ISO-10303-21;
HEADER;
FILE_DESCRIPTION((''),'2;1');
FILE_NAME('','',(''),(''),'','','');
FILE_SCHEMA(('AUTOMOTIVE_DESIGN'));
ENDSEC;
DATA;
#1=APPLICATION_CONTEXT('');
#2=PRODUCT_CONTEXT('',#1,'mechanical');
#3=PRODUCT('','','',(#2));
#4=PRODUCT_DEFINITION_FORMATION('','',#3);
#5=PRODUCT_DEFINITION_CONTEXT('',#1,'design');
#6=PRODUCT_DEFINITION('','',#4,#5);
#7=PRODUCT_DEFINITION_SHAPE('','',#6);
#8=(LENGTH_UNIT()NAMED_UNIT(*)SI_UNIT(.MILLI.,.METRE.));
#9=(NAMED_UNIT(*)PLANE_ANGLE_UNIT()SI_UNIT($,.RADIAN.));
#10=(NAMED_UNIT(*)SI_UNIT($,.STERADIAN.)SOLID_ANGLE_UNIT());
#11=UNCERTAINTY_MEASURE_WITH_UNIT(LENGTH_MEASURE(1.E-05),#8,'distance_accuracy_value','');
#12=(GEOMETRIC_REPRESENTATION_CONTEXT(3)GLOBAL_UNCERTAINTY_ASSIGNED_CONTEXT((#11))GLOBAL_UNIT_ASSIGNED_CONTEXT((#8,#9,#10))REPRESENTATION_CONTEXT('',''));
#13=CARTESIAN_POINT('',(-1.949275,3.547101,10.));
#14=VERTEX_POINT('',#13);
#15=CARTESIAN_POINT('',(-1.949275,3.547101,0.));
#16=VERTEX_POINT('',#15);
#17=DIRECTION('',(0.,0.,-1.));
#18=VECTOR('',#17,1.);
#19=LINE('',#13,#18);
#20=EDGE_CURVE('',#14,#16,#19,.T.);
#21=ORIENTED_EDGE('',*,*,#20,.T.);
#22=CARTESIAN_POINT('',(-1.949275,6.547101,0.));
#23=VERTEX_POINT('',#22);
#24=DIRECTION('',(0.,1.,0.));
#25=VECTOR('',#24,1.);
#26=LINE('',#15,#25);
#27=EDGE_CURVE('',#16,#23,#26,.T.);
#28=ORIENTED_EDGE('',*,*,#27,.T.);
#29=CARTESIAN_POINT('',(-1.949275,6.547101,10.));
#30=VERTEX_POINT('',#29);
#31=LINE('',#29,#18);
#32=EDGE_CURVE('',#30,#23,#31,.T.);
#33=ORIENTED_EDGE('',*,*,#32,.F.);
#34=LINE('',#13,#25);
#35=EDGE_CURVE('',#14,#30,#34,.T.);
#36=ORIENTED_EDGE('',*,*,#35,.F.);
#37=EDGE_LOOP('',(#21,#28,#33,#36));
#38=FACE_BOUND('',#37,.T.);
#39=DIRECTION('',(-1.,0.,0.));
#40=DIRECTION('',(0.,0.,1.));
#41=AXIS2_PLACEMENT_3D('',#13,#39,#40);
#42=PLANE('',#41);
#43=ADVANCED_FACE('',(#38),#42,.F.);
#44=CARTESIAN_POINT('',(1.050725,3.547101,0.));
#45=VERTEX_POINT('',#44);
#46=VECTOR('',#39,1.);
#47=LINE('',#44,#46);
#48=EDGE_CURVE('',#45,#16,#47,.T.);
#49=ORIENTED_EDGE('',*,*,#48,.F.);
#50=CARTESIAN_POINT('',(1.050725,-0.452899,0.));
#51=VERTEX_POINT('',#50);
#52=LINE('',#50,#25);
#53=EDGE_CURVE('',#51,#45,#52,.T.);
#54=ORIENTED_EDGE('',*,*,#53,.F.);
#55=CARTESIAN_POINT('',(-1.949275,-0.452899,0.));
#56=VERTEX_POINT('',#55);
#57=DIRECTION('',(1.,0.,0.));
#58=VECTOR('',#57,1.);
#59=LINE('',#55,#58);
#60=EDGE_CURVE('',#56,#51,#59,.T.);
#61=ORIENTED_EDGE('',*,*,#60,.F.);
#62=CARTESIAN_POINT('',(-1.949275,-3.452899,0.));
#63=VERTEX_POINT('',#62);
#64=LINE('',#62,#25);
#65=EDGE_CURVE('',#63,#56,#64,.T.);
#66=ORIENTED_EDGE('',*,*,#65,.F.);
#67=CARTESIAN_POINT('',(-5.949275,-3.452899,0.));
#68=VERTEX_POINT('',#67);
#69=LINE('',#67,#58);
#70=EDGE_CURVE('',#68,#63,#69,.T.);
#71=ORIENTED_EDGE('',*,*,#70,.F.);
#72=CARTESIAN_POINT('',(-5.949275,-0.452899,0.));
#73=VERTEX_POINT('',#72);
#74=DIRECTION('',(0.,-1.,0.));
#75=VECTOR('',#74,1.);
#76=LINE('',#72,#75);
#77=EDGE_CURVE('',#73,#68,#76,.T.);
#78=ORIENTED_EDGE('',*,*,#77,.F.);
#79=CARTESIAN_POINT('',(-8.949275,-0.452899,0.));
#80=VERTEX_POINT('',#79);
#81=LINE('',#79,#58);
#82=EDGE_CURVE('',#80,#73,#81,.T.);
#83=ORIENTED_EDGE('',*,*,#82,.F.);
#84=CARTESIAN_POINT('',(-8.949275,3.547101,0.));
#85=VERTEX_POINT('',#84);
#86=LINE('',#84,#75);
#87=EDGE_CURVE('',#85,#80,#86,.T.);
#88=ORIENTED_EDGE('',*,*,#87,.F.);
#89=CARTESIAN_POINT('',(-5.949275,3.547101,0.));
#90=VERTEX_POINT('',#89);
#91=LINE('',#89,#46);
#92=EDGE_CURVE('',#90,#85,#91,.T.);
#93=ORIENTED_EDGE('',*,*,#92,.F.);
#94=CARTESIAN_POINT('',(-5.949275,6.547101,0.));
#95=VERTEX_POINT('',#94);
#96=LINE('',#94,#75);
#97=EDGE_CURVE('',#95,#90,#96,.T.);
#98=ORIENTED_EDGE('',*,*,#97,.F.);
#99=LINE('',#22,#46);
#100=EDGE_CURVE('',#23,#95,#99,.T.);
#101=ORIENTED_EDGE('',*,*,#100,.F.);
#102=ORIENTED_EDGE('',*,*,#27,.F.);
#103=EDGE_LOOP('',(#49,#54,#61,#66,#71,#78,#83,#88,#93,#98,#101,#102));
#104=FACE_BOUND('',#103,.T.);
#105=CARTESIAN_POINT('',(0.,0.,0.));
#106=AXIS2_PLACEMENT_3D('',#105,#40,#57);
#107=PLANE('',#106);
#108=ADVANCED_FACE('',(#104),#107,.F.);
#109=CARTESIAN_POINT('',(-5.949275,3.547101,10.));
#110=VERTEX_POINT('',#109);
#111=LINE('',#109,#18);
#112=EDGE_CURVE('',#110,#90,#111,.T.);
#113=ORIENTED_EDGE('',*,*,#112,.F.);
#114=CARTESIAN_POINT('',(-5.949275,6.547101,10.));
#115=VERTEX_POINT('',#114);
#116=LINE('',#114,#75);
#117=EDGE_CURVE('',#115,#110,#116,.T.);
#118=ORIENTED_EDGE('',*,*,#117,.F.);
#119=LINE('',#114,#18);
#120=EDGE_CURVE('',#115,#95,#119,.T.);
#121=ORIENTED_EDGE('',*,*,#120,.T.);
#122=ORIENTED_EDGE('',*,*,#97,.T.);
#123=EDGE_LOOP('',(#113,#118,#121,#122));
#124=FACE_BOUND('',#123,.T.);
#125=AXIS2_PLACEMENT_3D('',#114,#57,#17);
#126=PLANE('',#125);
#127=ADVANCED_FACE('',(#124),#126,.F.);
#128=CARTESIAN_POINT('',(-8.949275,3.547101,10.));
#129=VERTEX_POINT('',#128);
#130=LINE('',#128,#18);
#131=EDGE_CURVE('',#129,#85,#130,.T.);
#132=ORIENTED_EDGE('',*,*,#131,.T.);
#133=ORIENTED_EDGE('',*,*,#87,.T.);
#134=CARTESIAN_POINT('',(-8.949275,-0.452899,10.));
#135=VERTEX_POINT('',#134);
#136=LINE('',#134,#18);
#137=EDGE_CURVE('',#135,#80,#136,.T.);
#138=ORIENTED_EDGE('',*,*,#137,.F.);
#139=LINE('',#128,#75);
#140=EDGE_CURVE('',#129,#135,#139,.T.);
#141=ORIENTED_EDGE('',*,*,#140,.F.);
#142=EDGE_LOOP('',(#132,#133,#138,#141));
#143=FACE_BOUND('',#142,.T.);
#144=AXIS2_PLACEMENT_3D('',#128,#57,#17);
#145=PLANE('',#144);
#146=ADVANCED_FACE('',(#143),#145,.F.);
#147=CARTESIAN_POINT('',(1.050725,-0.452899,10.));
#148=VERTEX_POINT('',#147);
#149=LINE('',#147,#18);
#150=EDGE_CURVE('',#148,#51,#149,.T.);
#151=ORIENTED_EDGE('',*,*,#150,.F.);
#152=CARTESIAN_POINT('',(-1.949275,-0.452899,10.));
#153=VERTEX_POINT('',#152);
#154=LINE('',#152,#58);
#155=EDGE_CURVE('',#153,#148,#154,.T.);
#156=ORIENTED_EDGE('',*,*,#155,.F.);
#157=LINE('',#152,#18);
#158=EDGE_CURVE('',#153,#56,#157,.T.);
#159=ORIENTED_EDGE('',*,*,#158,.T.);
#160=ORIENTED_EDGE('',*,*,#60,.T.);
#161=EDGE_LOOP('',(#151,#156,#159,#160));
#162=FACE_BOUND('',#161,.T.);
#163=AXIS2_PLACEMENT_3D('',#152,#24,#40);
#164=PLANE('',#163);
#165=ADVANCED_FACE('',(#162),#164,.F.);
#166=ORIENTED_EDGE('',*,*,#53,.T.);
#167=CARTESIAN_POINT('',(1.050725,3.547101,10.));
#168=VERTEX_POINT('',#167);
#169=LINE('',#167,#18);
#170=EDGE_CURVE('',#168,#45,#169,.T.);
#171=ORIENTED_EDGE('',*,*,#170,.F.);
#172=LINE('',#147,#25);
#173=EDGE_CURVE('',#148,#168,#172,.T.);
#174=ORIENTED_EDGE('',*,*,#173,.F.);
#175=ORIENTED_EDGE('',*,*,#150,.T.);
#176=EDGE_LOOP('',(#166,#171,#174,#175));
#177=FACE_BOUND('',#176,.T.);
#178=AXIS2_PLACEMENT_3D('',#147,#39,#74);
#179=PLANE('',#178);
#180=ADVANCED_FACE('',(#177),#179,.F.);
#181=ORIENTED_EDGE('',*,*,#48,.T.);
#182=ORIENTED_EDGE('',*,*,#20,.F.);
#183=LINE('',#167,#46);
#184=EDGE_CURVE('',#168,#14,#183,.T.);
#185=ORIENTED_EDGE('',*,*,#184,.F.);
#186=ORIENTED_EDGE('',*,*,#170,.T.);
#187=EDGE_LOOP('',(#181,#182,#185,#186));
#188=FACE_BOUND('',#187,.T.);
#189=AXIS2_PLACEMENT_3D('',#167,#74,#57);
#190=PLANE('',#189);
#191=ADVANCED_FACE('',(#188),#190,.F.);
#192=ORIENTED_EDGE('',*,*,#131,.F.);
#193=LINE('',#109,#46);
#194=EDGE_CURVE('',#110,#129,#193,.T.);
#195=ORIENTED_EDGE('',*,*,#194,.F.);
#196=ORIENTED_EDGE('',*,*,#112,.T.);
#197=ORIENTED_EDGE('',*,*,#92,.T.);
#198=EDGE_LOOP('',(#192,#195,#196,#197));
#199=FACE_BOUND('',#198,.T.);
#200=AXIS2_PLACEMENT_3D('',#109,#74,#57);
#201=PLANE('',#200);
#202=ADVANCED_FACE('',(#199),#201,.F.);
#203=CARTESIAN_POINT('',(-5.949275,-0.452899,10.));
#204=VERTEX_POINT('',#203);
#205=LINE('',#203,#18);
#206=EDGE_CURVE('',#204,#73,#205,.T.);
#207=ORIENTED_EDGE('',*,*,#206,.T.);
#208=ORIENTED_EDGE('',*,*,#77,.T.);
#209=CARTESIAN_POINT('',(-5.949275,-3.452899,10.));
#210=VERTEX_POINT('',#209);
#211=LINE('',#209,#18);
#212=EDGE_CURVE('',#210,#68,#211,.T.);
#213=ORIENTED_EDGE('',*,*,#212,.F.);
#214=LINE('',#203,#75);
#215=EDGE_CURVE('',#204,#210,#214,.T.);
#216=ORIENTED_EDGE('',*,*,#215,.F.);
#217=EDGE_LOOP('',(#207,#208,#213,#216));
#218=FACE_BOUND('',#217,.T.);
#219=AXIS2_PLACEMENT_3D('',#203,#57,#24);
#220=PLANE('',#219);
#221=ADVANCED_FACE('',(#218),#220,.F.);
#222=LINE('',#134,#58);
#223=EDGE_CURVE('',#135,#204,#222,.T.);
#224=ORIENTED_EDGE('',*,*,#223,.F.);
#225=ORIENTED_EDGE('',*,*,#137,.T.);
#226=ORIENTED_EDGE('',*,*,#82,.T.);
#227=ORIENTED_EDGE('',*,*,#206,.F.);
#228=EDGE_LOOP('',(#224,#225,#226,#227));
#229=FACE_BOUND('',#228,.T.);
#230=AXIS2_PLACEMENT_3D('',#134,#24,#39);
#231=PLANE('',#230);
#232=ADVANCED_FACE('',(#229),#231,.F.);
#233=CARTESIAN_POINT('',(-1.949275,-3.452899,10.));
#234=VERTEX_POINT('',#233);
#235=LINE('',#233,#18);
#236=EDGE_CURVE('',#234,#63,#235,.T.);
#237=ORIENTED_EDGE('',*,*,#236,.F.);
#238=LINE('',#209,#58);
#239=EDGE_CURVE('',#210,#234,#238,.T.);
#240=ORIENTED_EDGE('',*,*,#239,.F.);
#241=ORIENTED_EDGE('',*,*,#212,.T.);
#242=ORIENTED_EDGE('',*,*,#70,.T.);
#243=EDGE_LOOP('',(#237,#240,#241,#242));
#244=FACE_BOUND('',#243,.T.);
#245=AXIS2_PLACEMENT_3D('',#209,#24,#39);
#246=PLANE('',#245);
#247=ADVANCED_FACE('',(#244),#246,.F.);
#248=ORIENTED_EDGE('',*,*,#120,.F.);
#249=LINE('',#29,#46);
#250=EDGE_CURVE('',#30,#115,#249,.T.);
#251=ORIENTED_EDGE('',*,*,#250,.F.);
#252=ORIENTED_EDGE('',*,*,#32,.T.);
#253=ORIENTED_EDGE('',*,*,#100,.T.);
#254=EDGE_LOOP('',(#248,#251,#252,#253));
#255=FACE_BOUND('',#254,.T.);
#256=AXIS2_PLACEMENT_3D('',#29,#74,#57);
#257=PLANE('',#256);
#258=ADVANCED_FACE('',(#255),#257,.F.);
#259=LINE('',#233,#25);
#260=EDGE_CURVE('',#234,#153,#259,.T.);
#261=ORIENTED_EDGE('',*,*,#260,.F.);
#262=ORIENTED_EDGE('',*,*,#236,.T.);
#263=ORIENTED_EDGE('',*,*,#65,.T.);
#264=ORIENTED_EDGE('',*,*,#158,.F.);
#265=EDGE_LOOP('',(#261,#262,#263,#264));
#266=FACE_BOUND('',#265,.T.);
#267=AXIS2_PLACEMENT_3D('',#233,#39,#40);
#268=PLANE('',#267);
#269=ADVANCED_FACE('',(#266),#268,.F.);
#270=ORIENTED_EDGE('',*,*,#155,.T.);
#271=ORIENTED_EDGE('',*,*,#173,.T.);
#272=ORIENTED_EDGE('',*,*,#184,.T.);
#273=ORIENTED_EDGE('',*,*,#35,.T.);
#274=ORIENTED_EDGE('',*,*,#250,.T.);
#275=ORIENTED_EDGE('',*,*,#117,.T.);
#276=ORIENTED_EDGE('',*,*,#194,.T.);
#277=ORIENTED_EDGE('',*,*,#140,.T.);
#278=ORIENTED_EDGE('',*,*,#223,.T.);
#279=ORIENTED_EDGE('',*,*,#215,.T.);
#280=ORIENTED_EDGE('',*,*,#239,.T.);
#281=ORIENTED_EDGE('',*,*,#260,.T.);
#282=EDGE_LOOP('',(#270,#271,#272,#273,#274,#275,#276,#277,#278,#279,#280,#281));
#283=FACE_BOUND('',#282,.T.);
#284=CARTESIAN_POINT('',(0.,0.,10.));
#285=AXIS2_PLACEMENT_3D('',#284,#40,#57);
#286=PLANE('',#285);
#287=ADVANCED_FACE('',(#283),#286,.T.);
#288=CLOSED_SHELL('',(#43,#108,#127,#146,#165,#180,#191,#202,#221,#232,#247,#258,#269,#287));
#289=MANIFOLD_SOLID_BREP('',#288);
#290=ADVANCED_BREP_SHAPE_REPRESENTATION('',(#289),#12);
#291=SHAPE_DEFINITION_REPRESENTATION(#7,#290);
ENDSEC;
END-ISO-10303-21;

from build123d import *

# Parameters (mm, degrees)
BOSS_EXTRUDE1_DEPTH = 10


with BuildPart() as part:
    # Sketch1 → Boss-Extrude1 (new body)
    with BuildSketch(Plane.XY):
        Polygon((-5.949275362, 6.547101449), (-5.949275362, 3.547101449), (-8.949275362, 3.547101449), (-8.949275362, -0.452898551), (-5.949275362, -0.452898551), (-5.949275362, -3.452898551), (-1.949275362, -3.452898551), (-1.949275362, -0.452898551), (1.050724638, -0.452898551), (1.050724638, 3.547101449), (-1.949275362, 3.547101449), (-1.949275362, 6.547101449), align=None)
    extrude(amount=BOSS_EXTRUDE1_DEPTH)


solid = part.part
